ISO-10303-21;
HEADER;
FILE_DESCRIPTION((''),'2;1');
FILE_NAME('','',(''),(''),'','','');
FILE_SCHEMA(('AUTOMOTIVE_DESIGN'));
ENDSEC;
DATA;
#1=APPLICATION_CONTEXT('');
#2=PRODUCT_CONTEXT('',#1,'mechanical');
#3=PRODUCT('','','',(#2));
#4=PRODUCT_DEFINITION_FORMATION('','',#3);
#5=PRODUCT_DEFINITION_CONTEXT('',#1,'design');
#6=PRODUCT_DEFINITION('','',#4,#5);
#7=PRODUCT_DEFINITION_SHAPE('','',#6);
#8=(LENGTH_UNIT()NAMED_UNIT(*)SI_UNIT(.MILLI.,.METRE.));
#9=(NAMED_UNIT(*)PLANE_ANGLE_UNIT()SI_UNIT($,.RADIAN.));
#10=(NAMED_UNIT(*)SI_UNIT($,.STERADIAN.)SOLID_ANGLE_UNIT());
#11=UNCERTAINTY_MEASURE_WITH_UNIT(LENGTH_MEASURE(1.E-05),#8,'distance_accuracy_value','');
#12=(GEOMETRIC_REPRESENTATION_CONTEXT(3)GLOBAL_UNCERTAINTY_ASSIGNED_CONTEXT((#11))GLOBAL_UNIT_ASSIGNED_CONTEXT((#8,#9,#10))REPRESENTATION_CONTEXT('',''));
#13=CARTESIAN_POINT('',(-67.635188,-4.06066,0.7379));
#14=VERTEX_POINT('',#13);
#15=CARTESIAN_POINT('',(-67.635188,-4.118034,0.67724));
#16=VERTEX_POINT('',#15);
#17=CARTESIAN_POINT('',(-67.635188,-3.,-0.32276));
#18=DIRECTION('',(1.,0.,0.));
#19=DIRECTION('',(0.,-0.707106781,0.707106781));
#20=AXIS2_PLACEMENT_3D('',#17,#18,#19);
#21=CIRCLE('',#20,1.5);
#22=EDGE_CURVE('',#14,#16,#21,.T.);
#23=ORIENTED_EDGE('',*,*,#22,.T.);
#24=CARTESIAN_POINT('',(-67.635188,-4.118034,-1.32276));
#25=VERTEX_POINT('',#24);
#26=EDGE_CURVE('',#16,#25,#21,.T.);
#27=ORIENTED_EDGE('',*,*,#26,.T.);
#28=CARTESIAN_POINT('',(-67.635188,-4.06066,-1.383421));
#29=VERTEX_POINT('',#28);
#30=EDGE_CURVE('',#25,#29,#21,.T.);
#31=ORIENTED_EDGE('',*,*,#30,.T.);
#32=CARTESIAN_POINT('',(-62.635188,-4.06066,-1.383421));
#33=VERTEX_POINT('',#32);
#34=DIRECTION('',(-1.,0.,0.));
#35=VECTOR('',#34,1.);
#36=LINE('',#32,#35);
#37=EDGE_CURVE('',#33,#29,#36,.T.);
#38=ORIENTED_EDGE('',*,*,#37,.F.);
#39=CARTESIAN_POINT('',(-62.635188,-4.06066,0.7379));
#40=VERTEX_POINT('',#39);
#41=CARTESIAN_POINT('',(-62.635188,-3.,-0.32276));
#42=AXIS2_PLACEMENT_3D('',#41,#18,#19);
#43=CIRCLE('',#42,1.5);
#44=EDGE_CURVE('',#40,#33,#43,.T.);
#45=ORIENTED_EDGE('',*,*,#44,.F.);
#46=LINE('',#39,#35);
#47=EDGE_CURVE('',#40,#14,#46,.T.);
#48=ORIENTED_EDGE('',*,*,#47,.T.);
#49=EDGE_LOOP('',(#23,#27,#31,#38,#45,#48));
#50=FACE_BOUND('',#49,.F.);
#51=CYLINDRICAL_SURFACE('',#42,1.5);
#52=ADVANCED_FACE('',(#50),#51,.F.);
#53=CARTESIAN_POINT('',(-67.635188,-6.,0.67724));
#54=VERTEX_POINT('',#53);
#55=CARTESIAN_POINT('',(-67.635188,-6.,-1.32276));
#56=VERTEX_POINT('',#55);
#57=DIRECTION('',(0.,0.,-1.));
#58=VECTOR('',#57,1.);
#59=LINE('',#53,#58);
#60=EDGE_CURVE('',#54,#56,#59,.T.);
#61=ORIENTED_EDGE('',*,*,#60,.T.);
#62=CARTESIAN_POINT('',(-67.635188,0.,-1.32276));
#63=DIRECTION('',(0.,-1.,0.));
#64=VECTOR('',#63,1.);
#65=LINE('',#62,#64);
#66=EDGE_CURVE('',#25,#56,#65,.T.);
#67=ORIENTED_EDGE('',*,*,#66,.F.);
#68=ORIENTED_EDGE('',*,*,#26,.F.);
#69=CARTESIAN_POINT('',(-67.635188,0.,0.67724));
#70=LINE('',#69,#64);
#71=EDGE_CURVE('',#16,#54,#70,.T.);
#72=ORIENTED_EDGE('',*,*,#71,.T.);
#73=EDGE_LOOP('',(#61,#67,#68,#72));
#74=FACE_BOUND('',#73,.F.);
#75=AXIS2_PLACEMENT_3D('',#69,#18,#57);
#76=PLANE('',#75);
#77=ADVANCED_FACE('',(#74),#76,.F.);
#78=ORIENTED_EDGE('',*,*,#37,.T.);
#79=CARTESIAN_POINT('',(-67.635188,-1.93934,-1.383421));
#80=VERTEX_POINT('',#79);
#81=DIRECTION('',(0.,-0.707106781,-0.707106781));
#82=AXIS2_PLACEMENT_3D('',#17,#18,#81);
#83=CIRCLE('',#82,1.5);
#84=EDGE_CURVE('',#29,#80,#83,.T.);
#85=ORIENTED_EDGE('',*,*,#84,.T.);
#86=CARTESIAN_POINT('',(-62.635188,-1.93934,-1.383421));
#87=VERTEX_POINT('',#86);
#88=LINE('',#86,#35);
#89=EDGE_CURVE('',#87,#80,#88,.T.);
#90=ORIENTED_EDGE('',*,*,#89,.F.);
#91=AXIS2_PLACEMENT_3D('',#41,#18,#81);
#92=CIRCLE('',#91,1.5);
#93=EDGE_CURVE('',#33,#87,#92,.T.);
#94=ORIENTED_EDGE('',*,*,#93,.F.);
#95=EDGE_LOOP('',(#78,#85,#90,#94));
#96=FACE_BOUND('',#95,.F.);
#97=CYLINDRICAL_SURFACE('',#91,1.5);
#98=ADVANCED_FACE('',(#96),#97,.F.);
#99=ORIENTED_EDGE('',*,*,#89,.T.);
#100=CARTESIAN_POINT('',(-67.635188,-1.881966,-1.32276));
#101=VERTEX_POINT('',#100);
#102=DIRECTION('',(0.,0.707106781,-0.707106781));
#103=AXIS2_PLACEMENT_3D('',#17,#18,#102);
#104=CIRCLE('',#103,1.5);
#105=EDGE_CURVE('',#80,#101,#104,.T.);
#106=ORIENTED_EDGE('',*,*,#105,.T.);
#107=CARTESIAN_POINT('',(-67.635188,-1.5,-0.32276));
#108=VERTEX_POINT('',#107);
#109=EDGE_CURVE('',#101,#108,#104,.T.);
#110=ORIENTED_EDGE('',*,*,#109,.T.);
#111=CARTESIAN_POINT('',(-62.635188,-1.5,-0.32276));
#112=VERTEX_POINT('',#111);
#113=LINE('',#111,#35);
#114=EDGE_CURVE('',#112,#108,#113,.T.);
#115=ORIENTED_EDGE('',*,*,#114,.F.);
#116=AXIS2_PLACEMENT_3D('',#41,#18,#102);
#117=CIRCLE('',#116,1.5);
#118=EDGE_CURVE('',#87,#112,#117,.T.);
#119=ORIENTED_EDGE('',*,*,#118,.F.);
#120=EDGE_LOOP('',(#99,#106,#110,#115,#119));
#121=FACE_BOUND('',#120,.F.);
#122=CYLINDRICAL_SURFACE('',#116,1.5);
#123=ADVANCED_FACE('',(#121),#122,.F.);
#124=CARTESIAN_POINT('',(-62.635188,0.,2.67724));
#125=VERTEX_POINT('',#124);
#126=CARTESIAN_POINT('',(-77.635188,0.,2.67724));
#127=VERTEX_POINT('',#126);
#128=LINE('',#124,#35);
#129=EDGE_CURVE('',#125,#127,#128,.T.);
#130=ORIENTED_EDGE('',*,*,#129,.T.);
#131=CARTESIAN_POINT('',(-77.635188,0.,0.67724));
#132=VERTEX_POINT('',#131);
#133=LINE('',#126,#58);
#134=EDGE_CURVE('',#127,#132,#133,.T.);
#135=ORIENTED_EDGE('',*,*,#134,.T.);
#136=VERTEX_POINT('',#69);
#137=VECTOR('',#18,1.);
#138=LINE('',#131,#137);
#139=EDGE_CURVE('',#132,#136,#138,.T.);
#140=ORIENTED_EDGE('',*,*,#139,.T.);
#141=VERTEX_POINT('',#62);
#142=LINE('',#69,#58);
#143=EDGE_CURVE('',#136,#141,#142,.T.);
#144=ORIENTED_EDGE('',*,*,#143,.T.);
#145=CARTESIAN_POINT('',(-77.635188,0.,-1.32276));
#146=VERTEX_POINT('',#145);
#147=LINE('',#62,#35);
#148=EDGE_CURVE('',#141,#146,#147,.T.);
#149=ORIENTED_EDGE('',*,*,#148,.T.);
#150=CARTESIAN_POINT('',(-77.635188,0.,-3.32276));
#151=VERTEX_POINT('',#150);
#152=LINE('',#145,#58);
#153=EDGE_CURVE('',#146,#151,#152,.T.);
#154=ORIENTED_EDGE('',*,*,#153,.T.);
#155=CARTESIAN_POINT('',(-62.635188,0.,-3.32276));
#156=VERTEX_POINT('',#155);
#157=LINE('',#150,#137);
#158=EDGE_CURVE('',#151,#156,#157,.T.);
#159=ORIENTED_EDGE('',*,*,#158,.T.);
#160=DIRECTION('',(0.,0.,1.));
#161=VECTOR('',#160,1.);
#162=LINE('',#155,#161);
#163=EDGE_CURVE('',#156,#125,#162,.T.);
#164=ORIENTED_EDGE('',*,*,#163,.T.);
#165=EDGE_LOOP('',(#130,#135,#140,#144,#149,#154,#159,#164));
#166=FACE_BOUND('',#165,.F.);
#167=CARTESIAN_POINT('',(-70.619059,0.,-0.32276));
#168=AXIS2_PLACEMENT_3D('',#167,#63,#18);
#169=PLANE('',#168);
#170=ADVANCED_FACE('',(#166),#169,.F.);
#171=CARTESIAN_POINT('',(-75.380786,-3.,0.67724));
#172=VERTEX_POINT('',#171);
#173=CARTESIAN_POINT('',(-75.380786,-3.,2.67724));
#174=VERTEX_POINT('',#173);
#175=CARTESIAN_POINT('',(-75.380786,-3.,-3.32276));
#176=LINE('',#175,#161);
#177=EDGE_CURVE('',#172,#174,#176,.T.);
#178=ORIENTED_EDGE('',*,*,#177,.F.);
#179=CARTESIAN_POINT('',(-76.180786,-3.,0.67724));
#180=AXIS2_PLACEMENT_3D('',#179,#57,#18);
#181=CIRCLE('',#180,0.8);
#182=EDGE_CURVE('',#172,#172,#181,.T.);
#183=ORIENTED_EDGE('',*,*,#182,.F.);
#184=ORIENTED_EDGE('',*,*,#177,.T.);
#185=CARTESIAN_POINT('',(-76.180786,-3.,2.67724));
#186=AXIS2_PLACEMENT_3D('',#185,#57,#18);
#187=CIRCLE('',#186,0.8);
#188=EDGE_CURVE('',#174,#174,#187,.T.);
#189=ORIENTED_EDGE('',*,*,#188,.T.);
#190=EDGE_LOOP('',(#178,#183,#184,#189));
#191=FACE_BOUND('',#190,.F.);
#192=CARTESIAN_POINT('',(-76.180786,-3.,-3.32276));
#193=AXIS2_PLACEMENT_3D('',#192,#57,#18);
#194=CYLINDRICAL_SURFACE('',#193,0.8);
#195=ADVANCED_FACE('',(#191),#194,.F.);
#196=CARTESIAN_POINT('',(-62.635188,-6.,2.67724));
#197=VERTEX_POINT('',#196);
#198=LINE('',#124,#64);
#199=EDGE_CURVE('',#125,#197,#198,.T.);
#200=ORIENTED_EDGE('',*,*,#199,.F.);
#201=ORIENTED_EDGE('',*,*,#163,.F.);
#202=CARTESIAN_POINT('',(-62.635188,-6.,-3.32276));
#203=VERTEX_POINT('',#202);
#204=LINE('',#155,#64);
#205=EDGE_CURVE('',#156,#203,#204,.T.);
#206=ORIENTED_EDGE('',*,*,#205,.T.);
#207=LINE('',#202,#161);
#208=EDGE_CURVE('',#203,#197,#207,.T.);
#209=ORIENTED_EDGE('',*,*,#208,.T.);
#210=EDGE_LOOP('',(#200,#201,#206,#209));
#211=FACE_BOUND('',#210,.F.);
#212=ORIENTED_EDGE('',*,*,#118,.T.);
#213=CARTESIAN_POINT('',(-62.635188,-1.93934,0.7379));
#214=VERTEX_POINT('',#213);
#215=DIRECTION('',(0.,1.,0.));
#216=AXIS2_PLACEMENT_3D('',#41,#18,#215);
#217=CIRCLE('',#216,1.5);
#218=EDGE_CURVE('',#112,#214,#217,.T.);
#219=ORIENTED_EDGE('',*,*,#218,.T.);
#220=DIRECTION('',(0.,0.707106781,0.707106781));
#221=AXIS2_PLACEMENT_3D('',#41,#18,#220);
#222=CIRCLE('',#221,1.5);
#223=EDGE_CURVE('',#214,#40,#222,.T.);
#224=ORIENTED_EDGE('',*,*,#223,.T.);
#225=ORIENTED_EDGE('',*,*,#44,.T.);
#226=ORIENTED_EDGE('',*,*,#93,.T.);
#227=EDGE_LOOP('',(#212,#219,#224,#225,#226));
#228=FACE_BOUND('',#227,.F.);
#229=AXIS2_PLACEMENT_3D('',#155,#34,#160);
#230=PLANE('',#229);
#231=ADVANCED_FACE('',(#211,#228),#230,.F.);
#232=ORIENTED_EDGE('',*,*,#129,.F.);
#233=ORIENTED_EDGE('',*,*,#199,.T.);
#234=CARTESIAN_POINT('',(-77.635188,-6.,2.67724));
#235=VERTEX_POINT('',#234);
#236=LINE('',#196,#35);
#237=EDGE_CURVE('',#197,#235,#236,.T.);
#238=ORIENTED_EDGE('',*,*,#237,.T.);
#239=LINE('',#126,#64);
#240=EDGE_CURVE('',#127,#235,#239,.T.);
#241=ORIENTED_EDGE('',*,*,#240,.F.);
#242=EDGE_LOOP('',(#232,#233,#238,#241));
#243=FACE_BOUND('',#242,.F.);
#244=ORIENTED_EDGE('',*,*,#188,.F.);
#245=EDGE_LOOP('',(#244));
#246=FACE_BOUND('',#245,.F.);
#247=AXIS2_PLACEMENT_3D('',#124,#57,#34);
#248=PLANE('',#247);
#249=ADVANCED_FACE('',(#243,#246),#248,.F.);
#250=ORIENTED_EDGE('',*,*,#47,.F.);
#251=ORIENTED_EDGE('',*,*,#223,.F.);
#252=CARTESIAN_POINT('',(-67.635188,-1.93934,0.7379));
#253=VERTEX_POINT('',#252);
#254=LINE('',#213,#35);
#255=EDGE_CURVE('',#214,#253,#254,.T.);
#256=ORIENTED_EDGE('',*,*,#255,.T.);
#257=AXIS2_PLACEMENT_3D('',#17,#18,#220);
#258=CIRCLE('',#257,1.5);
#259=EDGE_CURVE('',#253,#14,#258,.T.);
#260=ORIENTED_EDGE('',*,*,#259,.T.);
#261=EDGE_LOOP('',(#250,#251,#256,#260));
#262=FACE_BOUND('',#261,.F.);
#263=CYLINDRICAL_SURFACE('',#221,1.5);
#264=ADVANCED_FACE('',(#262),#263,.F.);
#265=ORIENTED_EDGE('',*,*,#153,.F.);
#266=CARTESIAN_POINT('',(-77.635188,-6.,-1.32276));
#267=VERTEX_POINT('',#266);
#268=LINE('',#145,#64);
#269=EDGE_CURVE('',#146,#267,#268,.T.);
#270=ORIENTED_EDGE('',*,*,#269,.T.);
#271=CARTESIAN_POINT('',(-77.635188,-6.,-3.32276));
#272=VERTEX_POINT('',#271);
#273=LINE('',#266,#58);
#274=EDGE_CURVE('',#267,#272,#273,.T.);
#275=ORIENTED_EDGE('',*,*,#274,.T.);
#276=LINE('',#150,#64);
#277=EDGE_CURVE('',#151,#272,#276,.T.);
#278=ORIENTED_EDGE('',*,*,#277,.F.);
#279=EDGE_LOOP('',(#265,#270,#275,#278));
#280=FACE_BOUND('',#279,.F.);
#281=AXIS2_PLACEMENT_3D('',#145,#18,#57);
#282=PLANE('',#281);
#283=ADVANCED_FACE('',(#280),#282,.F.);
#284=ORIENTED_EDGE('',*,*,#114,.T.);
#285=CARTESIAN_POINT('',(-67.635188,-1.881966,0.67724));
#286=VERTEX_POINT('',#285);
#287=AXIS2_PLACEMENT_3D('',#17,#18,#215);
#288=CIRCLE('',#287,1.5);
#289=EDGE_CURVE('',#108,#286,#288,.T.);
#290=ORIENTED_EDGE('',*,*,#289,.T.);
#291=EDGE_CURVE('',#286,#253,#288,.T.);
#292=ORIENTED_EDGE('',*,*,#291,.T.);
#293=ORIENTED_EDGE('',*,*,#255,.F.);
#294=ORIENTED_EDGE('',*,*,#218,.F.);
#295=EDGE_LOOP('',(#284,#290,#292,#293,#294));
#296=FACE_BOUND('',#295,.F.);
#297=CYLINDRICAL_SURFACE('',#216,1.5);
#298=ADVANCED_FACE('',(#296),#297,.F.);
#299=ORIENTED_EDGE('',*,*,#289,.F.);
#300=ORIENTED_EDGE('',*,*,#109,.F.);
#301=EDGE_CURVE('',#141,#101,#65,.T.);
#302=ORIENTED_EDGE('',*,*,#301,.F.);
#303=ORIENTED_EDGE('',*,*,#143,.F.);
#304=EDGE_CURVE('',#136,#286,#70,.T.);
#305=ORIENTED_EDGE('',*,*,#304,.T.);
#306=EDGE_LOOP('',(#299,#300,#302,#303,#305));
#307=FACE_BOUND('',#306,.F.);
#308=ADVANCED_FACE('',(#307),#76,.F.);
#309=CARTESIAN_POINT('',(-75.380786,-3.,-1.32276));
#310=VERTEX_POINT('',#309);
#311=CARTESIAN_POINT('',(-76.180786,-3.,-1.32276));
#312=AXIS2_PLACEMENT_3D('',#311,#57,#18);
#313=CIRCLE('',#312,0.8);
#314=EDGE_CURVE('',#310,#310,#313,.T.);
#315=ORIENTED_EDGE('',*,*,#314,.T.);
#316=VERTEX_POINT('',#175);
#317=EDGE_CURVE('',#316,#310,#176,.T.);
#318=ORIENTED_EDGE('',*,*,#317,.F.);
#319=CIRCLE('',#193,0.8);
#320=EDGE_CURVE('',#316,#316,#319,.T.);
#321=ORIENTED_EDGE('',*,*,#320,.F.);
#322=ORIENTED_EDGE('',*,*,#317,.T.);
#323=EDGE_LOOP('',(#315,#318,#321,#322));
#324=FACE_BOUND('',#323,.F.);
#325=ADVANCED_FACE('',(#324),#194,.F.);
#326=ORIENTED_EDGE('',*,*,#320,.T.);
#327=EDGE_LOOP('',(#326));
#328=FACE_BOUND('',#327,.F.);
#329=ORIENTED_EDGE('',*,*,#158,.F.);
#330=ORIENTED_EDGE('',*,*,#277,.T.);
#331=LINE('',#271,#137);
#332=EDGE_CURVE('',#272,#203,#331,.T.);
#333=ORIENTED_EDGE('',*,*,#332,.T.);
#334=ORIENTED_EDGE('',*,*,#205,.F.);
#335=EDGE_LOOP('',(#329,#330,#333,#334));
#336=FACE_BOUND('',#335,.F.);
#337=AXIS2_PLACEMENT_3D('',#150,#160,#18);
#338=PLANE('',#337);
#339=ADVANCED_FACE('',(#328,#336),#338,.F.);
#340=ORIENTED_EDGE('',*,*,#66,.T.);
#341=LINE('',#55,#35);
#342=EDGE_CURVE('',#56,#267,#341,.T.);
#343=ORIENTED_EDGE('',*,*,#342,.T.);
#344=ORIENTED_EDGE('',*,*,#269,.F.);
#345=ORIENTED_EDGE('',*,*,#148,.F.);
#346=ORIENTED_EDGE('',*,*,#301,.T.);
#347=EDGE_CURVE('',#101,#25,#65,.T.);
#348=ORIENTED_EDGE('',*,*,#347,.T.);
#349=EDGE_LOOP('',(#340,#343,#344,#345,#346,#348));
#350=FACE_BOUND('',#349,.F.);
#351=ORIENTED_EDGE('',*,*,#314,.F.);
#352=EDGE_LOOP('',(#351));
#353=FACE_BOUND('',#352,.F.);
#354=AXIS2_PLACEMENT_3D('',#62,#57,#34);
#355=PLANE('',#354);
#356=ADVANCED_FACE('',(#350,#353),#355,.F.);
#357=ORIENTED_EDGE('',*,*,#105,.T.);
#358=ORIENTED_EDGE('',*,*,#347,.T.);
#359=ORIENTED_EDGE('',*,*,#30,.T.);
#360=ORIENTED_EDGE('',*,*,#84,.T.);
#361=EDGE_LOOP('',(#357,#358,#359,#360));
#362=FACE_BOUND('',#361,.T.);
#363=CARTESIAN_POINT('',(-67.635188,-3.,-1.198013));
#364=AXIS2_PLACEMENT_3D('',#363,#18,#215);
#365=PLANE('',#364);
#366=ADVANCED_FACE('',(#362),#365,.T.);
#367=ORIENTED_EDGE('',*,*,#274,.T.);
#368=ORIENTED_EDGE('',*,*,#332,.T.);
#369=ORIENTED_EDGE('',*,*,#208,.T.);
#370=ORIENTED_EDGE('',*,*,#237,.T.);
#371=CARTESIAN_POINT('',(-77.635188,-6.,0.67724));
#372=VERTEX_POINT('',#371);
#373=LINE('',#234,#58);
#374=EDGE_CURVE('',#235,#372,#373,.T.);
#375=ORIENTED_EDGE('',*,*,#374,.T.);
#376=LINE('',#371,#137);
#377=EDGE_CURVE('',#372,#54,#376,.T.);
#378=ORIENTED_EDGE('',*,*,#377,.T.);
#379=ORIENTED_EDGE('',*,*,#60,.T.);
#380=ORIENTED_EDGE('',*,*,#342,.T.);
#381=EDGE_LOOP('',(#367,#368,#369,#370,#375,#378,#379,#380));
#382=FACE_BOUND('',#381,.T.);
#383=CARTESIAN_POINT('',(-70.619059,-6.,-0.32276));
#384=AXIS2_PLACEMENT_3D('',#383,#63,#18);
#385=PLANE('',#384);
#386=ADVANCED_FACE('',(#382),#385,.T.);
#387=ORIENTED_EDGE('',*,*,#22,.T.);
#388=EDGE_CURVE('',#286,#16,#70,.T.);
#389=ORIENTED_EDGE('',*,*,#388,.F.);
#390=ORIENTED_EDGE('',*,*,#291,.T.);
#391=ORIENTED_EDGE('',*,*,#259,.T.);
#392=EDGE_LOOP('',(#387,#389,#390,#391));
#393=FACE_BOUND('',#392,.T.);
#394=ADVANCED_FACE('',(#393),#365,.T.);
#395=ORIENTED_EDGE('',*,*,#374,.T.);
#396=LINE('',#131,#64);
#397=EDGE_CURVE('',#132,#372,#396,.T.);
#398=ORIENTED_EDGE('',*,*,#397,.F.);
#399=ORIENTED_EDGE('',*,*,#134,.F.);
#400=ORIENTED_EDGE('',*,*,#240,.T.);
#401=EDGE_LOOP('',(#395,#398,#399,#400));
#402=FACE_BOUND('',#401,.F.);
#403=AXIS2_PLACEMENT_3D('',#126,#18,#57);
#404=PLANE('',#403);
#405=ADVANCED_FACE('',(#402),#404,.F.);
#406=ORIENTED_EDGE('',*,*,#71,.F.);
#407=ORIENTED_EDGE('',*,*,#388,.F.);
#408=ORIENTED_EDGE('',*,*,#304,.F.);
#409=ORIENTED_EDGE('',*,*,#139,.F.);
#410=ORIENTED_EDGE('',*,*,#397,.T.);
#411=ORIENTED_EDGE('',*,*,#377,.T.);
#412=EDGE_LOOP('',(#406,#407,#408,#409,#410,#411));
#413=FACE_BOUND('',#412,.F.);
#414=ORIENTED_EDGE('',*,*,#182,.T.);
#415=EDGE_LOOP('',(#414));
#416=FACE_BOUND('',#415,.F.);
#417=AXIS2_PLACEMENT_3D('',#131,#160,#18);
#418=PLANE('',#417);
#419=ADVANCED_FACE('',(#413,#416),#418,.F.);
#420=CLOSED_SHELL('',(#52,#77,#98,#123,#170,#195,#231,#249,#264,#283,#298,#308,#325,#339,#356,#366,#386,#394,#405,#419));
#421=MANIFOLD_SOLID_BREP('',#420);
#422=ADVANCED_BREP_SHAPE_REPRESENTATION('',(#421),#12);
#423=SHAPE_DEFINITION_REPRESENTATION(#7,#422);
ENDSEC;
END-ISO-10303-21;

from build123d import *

# Parameters (mm, degrees)
F1_DEPTH = 6
F3_DEPTH = 5
F4_R     = 0.8
F5_DEPTH = 25


with BuildPart() as f1:
    # F0 (on Front) → F1 (new body)
    with BuildSketch(Plane.XZ):
        Polygon((-62.6351881424, 2.6772396487), (-77.6351881424, 2.6772396487), (-77.6351881424, 0.6772396487), (-67.6351881424, 0.6772396487), (-67.6351881424, -1.3227603513), (-77.6351881424, -1.3227603513), (-77.6351881424, -3.3227603513), (-62.6351881424, -3.3227603513), align=None)
    extrude(amount=F1_DEPTH)

    # F2 (on face) → F3 (cut)
    with BuildSketch(Plane.YZ.offset(-62.6351881424)):
        with BuildLine():
            Line((-1.9393398282, -1.3834205231), (-3, -0.3227603513))
            Line((-3, -0.3227603513), (-4.0606601718, -1.3834205231))
            ThreePointArc((-4.0606601718, -1.3834205231), (-3, -1.8227603513), (-1.9393398282, -1.3834205231))
        make_face()
        with BuildLine():
            Line((-1.9393398282, 0.7378998205), (-3, -0.3227603513))
            Line((-3, -0.3227603513), (-1.9393398282, -1.3834205231))
            ThreePointArc((-1.9393398282, -1.3834205231), (-1.6141807012, -0.8967854998), (-1.5, -0.3227603513))
            ThreePointArc((-1.5, -0.3227603513), (-1.6141807012, 0.2512647973), (-1.9393398282, 0.7378998205))
        make_face()
        with BuildLine():
            ThreePointArc((-1.9393398282, 0.7378998205), (-3, 1.1772396487), (-4.0606601718, 0.7378998205))
            Line((-4.0606601718, 0.7378998205), (-3, -0.3227603513))
            Line((-3, -0.3227603513), (-1.9393398282, 0.7378998205))
        make_face()
        with BuildLine():
            Line((-3, -0.3227603513), (-4.0606601718, 0.7378998205))
            ThreePointArc((-4.0606601718, 0.7378998205), (-4.5, -0.3227603513), (-4.0606601718, -1.3834205231))
            Line((-4.0606601718, -1.3834205231), (-3, -0.3227603513))
        make_face()
    extrude(amount=-F3_DEPTH, mode=Mode.SUBTRACT)

    # F4 (on face) → F5 (cut)
    with BuildSketch(Plane(origin=(0, 0, -3.3227603513), x_dir=(1, 0, 0), z_dir=(0, 0, -1))):
        with Locations((-76.1807858944, 3)):
            Circle(F4_R)
    extrude(amount=-F5_DEPTH, mode=Mode.SUBTRACT)


solid = f1.part
